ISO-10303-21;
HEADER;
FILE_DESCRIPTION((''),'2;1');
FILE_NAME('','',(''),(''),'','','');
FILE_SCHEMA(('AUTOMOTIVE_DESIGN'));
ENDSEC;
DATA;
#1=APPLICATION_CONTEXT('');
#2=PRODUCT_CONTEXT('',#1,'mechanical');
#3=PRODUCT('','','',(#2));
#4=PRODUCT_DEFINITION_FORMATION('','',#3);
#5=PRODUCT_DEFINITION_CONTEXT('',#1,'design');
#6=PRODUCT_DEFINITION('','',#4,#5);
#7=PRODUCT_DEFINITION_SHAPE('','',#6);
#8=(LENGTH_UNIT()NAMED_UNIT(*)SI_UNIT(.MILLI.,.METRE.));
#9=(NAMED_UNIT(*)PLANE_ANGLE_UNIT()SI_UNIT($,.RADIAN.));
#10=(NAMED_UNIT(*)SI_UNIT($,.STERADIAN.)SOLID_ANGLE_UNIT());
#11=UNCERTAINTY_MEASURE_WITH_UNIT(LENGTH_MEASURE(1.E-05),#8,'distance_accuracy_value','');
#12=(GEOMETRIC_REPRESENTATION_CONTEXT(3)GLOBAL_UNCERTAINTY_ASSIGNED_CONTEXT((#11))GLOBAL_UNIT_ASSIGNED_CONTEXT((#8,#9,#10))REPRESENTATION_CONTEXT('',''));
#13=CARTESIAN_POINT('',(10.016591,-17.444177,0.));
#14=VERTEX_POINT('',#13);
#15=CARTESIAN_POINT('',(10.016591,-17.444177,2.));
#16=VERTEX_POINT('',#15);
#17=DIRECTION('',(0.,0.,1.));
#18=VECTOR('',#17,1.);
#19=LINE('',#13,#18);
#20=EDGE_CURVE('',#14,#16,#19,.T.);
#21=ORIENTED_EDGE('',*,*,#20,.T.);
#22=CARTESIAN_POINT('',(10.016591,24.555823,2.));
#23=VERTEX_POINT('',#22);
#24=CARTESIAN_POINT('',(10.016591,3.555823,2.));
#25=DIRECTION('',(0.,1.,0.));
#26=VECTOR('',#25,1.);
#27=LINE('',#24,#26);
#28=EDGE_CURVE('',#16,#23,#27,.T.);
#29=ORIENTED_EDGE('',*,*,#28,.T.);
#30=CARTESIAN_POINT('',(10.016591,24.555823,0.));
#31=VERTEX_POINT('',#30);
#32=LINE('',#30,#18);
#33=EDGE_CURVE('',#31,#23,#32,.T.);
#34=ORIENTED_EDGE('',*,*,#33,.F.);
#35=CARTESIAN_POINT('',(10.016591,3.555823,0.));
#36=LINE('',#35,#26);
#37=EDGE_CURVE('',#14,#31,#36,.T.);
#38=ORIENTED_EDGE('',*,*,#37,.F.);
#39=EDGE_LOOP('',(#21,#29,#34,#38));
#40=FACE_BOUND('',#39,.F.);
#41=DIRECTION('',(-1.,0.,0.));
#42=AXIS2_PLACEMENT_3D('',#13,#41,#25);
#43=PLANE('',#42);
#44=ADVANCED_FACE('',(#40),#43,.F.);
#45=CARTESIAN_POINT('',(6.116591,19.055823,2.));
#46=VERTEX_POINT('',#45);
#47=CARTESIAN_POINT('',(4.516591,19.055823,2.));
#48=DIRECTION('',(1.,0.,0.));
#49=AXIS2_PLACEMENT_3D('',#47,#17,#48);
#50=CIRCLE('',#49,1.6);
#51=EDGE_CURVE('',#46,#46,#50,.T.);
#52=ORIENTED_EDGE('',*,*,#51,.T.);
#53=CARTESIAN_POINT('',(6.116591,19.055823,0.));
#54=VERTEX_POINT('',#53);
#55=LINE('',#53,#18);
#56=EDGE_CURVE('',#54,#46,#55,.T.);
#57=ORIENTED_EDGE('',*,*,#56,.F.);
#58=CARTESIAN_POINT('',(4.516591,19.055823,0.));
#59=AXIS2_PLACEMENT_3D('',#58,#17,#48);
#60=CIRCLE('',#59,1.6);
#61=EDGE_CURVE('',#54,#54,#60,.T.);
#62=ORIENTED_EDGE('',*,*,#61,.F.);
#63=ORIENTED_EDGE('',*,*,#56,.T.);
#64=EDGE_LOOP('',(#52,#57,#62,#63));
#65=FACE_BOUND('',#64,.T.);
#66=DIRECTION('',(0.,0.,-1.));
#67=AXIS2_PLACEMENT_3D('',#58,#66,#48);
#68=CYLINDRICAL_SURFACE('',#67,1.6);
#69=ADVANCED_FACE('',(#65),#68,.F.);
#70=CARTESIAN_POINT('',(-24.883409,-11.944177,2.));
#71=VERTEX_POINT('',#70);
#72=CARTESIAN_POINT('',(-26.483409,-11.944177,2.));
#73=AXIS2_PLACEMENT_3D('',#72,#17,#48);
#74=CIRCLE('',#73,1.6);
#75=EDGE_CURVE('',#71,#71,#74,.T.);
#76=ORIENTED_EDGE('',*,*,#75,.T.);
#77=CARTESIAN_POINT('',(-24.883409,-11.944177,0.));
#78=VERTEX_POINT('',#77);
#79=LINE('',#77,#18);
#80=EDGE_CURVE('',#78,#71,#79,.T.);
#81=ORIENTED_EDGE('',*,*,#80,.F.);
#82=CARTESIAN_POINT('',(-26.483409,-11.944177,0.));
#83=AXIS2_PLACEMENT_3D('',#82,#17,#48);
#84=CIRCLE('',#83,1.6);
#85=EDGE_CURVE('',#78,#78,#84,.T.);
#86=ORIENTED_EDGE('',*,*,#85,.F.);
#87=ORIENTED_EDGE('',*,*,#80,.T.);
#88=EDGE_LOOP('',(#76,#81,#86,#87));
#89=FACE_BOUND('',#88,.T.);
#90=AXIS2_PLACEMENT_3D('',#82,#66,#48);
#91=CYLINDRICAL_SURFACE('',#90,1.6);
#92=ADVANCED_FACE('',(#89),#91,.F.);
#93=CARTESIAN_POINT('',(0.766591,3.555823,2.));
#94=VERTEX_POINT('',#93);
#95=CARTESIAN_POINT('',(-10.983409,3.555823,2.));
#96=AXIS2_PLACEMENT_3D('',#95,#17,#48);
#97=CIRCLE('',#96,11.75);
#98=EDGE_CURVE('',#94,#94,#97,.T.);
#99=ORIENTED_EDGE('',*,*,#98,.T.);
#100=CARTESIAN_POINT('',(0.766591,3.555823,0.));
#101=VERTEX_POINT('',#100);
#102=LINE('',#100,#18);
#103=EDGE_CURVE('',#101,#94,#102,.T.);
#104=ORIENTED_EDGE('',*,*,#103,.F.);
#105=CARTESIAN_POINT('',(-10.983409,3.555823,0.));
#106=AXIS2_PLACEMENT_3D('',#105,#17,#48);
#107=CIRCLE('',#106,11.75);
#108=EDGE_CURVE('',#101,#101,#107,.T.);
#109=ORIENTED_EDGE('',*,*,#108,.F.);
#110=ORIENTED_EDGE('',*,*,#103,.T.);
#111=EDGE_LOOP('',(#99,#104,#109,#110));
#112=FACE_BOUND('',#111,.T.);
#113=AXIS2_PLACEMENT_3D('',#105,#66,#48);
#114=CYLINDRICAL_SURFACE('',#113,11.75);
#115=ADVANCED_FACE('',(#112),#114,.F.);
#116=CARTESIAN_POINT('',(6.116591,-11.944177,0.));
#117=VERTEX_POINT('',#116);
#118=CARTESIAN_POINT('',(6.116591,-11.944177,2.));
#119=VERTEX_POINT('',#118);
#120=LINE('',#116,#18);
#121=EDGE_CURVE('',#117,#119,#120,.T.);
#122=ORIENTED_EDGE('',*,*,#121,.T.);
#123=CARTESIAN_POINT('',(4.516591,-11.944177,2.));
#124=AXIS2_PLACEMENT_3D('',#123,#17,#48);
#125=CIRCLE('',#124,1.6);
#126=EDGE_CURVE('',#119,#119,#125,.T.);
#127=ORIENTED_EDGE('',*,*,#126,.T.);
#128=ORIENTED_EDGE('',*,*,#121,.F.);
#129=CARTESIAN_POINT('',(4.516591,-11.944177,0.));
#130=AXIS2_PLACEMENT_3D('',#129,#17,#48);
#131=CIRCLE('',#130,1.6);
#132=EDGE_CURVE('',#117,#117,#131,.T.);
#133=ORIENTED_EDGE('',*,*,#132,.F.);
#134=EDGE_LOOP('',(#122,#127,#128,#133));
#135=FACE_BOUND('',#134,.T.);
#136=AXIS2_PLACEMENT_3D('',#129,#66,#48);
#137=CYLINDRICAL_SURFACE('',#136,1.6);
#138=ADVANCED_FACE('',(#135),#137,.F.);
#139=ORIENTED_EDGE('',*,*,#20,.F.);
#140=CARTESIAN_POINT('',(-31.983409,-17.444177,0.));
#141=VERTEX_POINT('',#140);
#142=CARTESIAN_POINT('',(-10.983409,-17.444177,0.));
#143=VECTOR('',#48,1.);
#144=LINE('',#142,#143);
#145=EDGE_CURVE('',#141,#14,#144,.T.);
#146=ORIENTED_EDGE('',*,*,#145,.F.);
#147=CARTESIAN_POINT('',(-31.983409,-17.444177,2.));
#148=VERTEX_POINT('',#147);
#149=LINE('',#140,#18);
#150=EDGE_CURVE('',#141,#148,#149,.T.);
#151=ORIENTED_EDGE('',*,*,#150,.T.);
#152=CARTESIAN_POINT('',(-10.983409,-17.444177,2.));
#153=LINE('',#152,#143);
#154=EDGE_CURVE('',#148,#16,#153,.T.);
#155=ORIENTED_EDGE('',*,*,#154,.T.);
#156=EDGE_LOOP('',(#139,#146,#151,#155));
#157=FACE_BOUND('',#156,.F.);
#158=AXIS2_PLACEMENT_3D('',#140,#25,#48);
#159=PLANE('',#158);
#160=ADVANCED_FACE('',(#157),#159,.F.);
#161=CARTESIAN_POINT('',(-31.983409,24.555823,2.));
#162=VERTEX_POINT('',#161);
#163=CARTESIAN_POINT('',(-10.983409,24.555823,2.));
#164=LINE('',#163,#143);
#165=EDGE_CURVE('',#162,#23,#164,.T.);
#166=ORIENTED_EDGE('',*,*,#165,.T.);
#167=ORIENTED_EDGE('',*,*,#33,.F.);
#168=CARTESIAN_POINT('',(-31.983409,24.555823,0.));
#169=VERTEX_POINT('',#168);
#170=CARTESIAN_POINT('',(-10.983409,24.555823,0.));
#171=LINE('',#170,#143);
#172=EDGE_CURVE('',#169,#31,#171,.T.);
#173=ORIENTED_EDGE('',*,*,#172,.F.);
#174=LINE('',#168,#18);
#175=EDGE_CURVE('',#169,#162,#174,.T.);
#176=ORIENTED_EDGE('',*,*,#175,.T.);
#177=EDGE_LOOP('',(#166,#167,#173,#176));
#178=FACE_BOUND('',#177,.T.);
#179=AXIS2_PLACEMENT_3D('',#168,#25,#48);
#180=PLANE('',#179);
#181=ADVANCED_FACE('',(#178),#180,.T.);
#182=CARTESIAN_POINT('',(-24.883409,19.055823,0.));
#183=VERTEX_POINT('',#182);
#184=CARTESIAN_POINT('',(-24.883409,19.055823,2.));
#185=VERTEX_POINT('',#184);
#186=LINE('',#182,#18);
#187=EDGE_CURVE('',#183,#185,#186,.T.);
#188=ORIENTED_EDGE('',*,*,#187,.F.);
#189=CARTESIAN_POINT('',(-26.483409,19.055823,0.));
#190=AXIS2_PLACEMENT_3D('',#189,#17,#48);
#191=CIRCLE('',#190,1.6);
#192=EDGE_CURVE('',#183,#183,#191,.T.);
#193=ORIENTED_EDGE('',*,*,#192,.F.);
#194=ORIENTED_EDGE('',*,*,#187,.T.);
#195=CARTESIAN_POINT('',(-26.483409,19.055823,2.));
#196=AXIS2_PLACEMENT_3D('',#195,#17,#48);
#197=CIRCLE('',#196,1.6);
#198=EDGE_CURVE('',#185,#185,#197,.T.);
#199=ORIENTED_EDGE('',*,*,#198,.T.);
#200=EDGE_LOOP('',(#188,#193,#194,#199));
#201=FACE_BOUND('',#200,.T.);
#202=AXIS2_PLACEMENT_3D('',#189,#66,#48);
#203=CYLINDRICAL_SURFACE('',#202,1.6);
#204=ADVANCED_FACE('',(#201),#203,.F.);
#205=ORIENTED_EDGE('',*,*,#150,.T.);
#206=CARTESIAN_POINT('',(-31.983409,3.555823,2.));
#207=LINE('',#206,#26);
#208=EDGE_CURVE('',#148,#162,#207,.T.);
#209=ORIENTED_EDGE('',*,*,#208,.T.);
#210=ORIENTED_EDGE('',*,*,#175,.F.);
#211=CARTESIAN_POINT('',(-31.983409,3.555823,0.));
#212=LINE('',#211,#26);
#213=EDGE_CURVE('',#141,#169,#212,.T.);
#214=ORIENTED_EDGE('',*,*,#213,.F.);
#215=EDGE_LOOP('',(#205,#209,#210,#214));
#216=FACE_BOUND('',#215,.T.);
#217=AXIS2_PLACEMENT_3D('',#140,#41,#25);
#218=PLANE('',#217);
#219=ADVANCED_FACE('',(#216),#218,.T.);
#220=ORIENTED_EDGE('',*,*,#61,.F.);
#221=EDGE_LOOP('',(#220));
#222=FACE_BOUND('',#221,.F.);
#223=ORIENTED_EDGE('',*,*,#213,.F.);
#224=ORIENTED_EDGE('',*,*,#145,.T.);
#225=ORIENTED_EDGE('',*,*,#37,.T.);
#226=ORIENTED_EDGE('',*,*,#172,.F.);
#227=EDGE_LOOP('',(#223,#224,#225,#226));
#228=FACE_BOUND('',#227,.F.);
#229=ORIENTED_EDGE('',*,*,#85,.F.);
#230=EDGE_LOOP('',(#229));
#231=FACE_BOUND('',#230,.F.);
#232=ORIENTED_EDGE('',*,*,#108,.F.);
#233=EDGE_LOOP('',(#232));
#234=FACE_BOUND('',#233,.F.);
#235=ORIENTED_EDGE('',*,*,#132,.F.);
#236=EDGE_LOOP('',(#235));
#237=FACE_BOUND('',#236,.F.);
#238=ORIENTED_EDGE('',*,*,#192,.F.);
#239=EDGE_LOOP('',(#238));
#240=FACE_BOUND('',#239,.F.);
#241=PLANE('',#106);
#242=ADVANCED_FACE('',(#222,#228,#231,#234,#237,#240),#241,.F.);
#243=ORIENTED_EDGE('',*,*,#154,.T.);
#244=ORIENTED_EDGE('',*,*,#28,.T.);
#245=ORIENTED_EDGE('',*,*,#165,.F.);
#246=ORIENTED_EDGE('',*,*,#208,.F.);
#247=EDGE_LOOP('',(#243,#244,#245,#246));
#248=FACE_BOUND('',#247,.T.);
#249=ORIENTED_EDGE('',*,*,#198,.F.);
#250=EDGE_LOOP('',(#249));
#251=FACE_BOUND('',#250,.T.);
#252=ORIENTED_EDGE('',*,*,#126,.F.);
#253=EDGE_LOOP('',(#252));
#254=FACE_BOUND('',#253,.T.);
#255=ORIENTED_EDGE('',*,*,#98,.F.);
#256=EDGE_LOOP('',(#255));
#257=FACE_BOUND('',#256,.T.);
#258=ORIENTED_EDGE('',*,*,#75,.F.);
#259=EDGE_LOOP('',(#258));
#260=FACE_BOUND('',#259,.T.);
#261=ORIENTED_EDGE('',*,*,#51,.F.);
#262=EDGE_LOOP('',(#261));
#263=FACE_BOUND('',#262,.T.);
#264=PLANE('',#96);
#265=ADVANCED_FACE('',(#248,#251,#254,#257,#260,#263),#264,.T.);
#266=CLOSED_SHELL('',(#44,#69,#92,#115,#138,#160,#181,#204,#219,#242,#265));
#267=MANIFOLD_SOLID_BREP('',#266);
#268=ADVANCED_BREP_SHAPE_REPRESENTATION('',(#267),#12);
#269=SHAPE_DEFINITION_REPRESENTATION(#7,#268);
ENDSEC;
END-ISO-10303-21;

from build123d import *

# Parameters (mm, degrees)
F0_W     = 42
F0_H     = 42
F0_R     = 1.6
F0_R_2   = 11.75
F1_DEPTH = 2


with BuildPart() as f1:
    # F0 (on Top) → F1 (new body)
    with BuildSketch(Plane.XY):
        with Locations((-10.983409, 3.555823)):
            Rectangle(F0_W, F0_H)
        with Locations((-26.483409, -11.944177)):
            Circle(F0_R, mode=Mode.SUBTRACT)
        with Locations((-10.983409, 3.555823)):
            Circle(F0_R_2, mode=Mode.SUBTRACT)
        with Locations((4.516591, -11.944177)):
            Circle(F0_R, mode=Mode.SUBTRACT)
        with Locations((-26.483409, 19.055823)):
            Circle(F0_R, mode=Mode.SUBTRACT)
        with Locations((4.516591, 19.055823)):
            Circle(F0_R, mode=Mode.SUBTRACT)
    extrude(amount=F1_DEPTH)


solid = f1.part
